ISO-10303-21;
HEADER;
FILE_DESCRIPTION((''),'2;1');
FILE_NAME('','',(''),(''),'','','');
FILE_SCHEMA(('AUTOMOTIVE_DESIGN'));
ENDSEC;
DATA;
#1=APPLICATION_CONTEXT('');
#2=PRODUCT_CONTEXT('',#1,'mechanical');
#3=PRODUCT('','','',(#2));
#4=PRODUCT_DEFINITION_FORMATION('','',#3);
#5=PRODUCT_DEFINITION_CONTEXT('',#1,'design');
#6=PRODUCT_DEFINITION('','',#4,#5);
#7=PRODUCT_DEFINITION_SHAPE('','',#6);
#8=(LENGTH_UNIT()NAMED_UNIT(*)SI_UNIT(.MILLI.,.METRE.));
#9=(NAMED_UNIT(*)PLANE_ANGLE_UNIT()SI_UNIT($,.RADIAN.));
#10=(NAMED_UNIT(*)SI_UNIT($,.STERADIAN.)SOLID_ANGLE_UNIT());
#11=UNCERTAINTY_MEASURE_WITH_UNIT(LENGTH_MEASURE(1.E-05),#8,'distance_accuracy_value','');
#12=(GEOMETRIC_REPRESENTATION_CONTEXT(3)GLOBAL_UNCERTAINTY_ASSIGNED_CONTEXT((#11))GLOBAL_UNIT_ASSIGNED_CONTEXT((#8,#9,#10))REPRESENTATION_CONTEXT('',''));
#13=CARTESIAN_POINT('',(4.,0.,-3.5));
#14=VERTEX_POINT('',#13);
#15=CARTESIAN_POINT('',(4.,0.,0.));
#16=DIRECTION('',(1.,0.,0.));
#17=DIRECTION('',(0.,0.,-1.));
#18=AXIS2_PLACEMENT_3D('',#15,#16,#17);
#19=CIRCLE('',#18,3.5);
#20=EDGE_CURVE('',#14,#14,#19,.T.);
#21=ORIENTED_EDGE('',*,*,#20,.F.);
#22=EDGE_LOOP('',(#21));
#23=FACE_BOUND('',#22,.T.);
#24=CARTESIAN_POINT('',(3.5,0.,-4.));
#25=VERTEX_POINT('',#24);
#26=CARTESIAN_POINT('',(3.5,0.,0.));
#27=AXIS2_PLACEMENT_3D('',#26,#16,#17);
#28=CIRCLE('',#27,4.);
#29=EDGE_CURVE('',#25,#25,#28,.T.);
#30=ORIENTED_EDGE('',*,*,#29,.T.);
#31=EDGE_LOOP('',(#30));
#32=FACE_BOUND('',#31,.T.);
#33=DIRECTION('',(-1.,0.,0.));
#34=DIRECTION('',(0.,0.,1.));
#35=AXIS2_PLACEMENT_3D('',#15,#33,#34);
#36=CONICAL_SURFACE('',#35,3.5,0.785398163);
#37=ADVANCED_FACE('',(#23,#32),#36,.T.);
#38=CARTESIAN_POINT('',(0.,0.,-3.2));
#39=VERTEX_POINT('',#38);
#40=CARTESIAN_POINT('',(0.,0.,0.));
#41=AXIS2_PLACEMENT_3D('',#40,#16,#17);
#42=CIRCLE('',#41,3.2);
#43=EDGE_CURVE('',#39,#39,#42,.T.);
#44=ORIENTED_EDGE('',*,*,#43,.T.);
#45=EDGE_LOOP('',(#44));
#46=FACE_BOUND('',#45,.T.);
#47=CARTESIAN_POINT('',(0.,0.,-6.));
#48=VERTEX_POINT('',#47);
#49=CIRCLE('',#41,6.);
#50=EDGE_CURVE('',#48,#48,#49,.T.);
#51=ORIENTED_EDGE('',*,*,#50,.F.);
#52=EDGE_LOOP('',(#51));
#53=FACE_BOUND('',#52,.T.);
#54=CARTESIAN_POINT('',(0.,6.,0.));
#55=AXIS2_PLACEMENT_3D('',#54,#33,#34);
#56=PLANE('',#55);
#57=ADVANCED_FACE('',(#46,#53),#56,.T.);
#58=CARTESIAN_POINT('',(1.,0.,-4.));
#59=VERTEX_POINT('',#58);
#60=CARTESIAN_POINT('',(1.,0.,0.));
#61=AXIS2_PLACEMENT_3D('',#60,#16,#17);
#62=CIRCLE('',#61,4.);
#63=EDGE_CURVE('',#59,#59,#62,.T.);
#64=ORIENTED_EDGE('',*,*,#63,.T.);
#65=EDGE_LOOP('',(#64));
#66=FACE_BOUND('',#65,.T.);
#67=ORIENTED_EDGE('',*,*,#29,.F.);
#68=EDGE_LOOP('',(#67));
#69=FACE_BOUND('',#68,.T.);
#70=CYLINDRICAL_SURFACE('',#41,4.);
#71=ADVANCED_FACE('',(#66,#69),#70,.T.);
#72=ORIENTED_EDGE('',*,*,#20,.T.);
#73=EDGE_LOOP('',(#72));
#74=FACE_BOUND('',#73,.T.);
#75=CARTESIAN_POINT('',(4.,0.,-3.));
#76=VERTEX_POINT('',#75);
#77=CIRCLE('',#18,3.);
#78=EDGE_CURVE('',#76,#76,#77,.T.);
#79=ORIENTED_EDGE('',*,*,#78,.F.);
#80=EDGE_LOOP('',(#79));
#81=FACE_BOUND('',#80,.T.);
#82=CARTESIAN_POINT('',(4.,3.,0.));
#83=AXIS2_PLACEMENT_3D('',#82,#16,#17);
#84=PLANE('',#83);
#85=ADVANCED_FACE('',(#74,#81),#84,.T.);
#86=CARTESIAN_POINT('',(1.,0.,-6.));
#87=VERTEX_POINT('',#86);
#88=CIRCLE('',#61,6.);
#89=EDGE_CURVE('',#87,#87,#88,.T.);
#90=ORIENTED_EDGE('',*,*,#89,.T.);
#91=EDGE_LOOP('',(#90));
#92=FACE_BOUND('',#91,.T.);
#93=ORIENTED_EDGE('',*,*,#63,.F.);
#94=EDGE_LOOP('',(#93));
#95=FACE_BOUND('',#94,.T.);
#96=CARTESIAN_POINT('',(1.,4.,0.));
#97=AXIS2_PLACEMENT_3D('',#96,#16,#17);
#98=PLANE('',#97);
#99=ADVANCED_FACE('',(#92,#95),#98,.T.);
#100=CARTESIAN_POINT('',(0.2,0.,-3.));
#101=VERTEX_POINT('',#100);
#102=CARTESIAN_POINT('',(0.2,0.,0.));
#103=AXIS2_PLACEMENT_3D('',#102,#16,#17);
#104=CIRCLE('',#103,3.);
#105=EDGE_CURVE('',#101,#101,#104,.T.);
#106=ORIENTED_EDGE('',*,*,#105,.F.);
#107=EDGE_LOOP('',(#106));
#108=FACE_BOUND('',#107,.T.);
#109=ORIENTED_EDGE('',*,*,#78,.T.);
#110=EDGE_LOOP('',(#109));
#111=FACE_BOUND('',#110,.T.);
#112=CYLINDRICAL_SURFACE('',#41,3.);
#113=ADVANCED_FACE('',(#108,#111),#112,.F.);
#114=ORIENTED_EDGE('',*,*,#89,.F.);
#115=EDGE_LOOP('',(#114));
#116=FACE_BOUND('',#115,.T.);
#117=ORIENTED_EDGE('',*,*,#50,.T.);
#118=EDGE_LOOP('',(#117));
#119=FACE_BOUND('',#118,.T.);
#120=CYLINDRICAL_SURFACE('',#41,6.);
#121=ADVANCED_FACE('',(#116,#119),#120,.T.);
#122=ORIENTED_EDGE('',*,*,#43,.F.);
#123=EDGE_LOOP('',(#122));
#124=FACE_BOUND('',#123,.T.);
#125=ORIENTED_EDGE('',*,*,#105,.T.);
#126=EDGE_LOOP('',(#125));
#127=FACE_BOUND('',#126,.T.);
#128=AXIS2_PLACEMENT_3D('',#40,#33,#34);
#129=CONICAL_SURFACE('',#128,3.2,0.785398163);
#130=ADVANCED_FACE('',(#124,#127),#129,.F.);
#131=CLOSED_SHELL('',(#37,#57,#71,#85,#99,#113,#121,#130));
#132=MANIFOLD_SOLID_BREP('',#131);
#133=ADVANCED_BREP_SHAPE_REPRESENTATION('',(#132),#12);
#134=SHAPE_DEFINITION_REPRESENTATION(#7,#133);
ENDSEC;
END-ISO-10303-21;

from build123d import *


with BuildPart() as part:
    # Schizzo1 → Rivoluzione1 (revolve)
    with BuildSketch(Plane.XY):
        Polygon((0, 6), (0, 3.2), (0.2, 3), (4, 3), (4, 3.5), (3.5, 4), (1, 4), (1, 6), align=None)
    revolve(axis=Axis((0, 0, 0), (1, 0, 0)))


solid = part.part
